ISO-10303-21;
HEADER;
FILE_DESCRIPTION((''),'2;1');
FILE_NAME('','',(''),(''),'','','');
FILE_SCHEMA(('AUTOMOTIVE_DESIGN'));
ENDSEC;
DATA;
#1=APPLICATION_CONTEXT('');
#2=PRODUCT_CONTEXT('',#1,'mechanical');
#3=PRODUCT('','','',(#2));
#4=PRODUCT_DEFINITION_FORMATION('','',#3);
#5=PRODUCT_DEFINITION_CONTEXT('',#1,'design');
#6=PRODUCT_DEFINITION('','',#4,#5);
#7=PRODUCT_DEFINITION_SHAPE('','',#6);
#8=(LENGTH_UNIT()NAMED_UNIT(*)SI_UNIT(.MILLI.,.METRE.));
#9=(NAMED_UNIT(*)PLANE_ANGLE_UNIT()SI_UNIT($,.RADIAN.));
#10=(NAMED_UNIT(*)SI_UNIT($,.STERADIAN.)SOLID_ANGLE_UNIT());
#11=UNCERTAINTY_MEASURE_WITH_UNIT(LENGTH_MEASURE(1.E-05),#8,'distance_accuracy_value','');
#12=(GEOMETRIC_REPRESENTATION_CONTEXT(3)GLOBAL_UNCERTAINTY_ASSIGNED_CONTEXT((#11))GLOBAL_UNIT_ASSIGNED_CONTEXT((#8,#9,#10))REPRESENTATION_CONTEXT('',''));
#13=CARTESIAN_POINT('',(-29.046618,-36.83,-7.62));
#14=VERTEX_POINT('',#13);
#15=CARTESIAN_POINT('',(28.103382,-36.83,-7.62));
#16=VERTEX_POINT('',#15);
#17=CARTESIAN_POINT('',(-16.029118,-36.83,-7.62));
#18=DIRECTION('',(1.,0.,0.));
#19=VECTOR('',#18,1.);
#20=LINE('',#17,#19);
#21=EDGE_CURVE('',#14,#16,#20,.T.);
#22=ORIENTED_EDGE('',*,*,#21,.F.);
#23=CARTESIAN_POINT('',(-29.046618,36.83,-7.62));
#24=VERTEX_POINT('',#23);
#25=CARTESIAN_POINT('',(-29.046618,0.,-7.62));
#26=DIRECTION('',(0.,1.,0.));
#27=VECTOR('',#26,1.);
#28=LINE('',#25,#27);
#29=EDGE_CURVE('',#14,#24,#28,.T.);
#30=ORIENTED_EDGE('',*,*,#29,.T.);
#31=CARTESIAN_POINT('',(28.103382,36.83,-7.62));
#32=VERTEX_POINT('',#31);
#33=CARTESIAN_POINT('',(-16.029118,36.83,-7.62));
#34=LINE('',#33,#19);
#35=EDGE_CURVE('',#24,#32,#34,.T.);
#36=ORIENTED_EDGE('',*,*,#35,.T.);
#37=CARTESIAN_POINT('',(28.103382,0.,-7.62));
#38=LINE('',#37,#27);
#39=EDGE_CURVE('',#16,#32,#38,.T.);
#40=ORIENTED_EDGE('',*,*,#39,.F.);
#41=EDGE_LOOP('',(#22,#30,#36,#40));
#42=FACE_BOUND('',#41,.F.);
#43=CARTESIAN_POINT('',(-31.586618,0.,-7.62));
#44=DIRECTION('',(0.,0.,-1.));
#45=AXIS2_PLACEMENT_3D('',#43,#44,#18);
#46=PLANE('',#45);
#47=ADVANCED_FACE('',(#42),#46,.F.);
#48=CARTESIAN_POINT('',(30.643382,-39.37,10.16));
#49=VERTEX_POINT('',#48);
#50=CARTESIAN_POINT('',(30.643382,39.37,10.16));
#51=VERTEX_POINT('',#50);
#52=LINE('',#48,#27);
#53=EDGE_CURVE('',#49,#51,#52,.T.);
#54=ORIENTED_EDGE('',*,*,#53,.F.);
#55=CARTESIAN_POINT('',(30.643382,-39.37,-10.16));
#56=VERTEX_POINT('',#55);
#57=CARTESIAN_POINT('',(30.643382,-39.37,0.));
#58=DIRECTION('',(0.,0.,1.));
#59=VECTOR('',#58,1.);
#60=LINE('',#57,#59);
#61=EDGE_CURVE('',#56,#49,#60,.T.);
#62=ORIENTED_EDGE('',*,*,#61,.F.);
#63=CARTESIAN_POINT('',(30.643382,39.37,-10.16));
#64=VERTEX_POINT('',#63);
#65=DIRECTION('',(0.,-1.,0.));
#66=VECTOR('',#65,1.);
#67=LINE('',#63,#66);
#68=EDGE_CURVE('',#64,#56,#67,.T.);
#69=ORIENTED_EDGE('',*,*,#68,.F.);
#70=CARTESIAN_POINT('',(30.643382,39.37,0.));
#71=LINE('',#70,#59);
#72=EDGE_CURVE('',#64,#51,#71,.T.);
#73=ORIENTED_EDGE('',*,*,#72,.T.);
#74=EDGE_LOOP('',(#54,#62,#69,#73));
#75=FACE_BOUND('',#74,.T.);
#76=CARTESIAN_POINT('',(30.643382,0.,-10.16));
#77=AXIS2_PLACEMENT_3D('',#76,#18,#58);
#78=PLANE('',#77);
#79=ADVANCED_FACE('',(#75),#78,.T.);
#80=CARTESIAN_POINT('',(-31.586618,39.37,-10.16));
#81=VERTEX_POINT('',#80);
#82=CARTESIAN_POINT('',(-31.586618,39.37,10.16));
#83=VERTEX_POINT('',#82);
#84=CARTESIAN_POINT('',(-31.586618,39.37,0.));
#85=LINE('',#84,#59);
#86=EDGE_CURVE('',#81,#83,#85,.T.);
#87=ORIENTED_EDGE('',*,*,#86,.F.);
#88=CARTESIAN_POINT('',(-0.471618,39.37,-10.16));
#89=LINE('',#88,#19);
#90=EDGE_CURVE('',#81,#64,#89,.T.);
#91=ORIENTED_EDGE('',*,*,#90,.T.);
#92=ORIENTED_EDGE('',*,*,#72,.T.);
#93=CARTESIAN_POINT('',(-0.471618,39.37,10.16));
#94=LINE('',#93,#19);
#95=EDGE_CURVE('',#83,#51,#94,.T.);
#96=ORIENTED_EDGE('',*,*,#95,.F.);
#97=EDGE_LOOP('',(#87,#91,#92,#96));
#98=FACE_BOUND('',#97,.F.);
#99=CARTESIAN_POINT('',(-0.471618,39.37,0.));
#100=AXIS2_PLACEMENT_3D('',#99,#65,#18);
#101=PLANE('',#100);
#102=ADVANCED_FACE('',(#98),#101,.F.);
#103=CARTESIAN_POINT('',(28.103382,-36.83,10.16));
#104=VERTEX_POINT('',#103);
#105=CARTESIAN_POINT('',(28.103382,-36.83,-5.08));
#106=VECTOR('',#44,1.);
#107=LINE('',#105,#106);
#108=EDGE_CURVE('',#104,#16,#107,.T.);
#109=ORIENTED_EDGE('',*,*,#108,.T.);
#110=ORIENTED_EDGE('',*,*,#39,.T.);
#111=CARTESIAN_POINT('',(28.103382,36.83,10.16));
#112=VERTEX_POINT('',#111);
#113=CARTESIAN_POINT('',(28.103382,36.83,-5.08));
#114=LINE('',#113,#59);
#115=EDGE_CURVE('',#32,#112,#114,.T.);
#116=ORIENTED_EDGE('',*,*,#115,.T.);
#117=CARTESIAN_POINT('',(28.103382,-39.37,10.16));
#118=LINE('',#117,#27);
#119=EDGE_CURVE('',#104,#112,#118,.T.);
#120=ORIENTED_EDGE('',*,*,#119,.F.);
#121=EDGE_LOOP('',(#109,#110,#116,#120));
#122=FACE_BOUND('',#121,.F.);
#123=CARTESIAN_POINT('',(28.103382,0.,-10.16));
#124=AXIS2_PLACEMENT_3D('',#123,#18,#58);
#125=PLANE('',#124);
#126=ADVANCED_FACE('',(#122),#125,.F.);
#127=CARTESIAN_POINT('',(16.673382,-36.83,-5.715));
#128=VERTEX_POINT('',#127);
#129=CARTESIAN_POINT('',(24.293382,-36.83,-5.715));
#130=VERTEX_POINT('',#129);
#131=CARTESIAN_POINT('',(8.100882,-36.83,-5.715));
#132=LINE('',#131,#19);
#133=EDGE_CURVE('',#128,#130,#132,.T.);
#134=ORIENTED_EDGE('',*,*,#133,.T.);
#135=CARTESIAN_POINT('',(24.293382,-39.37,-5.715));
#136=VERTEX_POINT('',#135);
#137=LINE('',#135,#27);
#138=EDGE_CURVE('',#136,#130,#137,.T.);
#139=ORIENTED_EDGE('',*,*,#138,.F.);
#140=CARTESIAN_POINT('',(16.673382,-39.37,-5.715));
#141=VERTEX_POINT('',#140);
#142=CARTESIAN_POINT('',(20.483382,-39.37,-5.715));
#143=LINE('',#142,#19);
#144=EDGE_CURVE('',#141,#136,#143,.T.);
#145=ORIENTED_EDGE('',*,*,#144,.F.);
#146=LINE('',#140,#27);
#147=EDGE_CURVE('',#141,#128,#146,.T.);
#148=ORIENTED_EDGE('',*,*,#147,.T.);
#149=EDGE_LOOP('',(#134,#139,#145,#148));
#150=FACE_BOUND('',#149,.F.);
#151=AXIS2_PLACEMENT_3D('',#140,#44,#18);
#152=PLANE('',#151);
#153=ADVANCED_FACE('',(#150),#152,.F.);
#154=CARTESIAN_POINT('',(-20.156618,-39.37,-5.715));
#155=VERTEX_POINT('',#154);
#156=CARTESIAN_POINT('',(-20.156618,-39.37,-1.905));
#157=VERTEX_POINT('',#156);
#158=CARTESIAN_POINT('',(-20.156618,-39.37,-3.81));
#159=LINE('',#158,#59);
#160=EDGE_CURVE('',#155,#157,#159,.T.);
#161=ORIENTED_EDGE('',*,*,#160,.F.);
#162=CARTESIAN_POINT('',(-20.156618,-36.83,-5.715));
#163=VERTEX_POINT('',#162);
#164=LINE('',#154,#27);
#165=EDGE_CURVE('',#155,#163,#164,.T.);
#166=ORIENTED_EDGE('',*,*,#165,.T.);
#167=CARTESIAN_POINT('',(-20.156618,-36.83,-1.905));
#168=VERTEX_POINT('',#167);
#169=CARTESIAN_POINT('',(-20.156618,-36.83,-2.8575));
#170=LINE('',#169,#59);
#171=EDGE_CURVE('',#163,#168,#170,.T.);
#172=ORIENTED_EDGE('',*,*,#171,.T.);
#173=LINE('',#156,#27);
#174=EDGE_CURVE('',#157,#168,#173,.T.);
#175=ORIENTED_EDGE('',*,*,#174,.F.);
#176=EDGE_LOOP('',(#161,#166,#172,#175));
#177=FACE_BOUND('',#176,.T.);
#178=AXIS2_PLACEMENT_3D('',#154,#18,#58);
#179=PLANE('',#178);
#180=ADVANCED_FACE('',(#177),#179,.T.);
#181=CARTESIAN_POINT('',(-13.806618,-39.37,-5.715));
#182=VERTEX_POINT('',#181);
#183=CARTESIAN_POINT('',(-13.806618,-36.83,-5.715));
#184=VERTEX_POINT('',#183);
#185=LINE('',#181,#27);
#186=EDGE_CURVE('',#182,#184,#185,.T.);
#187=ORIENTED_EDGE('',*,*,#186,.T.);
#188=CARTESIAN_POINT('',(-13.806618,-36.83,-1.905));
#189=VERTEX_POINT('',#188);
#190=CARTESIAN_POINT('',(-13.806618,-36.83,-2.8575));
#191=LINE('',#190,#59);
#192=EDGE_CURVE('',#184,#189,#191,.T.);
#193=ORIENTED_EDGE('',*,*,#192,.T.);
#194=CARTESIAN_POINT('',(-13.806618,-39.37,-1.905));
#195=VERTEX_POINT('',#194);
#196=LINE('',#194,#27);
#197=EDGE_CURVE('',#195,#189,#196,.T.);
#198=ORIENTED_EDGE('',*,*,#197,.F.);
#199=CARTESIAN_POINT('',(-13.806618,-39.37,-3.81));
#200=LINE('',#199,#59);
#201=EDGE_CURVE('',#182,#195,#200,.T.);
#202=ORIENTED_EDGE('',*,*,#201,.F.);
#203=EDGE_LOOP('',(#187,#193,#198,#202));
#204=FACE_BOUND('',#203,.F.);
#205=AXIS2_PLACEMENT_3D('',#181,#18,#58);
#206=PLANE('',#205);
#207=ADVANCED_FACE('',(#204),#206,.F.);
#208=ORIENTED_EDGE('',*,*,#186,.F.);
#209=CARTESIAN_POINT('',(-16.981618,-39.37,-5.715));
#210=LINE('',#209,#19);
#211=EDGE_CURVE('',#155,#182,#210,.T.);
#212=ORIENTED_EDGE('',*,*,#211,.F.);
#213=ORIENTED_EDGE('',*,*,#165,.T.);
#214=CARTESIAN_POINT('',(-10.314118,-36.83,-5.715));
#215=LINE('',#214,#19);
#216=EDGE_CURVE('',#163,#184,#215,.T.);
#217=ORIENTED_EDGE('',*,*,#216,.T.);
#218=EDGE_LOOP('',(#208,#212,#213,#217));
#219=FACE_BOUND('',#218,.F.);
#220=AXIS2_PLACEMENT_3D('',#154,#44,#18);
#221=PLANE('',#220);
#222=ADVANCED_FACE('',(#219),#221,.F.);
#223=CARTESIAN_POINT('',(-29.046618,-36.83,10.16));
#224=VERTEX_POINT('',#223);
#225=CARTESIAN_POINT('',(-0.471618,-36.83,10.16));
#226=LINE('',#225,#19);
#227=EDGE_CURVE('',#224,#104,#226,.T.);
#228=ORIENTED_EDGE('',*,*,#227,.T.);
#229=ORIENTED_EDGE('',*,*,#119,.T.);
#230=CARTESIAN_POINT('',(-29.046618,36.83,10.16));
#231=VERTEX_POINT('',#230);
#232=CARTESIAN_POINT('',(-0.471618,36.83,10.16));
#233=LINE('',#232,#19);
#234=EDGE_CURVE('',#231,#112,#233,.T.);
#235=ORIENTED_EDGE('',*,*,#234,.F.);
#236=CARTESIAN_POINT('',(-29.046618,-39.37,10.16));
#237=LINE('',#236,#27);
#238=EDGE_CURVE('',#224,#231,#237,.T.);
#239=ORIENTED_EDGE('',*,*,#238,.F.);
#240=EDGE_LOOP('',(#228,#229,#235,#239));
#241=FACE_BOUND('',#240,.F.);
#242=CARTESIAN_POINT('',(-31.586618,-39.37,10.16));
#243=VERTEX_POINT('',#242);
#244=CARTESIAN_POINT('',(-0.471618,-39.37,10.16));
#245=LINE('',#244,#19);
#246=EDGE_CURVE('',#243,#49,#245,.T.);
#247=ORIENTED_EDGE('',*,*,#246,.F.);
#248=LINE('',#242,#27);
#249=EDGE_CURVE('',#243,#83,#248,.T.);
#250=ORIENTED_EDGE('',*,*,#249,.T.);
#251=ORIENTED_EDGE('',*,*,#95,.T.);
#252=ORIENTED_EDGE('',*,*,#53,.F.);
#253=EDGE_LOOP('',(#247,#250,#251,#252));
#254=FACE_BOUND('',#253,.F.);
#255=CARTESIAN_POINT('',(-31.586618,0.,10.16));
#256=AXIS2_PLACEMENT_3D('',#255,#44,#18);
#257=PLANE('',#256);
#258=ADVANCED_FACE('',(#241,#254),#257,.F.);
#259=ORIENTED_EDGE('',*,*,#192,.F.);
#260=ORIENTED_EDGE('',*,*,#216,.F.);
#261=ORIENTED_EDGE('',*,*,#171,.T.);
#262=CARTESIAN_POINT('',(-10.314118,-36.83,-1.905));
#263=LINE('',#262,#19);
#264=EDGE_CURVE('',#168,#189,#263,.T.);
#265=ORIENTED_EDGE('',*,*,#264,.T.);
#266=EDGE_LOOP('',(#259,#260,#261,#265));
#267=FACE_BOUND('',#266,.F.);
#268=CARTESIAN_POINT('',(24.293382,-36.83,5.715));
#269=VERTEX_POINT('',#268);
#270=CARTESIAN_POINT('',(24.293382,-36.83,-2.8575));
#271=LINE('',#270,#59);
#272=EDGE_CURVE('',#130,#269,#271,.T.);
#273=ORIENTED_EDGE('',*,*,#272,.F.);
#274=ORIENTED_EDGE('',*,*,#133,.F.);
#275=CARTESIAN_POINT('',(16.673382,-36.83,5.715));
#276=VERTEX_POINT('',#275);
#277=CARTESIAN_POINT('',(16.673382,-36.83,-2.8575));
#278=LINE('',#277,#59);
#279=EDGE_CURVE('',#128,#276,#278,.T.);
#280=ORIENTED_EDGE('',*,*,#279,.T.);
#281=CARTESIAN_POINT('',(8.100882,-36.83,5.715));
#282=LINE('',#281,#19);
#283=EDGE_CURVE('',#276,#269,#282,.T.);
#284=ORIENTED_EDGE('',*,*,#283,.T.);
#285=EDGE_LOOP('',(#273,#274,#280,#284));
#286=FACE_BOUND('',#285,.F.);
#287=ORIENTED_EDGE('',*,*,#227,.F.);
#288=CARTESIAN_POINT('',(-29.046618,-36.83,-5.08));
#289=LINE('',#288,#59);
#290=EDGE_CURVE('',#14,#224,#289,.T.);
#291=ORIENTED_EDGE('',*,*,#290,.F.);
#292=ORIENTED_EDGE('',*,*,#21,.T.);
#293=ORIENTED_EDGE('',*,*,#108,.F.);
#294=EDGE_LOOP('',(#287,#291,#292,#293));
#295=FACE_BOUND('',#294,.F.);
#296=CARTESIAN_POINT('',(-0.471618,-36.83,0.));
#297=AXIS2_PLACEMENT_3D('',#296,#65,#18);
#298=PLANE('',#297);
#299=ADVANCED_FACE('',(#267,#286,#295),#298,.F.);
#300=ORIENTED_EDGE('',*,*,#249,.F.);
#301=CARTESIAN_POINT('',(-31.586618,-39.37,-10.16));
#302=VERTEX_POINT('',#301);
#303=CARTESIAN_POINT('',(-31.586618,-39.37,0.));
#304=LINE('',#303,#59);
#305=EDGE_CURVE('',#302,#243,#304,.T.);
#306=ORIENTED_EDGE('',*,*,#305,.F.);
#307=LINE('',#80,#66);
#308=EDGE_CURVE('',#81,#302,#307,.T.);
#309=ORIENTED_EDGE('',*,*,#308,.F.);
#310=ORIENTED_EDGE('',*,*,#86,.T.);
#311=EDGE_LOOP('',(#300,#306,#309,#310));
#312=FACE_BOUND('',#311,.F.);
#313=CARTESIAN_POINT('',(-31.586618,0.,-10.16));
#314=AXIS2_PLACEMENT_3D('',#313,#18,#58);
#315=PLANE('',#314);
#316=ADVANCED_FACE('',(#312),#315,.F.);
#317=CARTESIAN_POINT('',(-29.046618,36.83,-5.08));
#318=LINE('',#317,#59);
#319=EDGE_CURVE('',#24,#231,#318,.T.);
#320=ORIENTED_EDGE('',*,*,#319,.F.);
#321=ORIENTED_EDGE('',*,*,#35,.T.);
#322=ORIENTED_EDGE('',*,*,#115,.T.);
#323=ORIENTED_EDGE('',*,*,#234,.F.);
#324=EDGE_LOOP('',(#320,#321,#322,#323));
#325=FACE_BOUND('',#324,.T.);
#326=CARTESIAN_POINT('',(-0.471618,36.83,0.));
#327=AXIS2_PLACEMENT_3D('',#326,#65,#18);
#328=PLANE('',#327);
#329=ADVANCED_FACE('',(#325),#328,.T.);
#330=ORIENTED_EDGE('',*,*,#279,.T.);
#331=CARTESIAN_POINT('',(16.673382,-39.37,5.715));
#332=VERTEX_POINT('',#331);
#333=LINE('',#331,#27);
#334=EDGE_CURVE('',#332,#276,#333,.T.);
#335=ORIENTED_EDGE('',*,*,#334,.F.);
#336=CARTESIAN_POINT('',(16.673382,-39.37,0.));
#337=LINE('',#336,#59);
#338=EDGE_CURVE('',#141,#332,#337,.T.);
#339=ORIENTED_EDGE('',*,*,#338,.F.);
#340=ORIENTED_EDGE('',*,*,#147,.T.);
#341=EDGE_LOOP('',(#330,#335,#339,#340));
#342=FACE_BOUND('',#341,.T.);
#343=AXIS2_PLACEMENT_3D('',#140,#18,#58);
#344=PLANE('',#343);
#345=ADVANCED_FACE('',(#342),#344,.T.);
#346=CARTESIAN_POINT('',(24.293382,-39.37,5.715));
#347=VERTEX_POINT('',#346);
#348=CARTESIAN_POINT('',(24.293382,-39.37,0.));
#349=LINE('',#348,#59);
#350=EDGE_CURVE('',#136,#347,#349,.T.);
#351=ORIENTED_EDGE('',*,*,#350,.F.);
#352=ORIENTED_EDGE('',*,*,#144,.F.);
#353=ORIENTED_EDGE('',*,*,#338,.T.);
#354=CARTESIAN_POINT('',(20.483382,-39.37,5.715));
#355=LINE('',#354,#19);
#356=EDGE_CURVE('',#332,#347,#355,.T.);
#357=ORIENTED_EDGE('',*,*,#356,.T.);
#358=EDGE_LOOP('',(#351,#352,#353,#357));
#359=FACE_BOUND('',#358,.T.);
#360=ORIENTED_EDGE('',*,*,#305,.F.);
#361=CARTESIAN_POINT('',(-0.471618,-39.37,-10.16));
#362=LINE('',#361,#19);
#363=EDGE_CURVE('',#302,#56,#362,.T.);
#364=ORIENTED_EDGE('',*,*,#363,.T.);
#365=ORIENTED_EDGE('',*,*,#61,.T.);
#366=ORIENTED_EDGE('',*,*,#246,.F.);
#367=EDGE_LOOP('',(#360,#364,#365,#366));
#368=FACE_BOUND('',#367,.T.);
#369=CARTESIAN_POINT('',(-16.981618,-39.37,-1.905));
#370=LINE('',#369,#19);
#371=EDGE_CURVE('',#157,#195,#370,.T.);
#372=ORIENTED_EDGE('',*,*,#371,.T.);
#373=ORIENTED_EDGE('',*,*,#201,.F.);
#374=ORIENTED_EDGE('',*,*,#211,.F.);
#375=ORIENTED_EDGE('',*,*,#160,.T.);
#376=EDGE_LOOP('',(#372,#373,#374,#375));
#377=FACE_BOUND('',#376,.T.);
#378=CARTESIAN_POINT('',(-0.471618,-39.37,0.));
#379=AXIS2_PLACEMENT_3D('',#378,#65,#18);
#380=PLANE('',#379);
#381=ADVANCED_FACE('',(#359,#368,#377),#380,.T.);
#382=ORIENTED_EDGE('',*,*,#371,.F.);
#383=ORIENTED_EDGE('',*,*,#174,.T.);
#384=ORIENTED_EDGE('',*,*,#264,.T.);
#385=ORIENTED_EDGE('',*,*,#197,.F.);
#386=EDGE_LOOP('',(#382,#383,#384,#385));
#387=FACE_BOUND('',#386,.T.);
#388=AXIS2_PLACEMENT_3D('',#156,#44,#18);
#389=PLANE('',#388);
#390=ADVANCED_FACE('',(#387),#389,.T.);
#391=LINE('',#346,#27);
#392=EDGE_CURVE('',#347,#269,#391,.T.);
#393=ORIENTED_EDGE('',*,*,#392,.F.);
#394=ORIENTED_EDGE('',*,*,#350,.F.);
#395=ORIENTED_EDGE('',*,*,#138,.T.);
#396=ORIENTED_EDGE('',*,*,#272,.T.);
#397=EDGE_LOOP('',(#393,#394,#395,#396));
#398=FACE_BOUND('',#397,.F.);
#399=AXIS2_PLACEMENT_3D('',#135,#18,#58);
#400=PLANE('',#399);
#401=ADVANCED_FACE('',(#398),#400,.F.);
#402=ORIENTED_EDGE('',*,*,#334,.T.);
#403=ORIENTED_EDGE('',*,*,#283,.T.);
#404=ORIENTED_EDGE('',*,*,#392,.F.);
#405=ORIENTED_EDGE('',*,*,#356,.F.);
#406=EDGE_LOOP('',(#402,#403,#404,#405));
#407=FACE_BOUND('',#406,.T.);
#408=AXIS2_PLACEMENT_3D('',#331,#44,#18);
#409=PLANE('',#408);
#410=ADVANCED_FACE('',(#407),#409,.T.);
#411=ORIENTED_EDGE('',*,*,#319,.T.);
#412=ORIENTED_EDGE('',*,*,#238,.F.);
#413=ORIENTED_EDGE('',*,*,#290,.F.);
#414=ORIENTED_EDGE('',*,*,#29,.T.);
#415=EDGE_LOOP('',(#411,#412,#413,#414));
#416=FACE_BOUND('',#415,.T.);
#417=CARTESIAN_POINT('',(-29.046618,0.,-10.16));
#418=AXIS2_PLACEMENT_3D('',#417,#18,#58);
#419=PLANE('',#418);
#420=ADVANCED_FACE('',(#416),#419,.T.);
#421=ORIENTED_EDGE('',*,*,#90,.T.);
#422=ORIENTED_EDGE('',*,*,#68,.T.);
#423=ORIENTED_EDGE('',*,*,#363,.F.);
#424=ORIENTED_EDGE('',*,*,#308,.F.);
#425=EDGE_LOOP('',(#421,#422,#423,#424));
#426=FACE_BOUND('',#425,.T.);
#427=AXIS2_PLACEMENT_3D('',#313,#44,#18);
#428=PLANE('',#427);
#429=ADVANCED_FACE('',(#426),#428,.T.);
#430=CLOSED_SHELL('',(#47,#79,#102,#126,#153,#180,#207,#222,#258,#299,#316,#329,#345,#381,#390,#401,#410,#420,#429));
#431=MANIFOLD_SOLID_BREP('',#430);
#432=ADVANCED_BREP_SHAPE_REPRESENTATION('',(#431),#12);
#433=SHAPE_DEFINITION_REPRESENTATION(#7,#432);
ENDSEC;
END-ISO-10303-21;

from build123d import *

# Parameters (mm, degrees)
F0_W     = 62.23
F0_H     = 20.32
F1_DEPTH = 39.37
F2_T     = -2.54
F3_W     = 6.35
F3_H     = 3.81
F3_W_2   = 7.62
F3_H_2   = 11.43
F4_DEPTH = 25.4


with BuildPart() as f1:
    # F0 (on Front) → F1 (new body, symmetric)
    with BuildSketch(Plane.XZ):
        with Locations((-0.471618, 0)):
            Rectangle(F0_W, F0_H)
    extrude(amount=F1_DEPTH, both=True)

    # F2
    f2_openings = [f1.faces().sort_by_distance(p)[0] for p in [
        (-0.471618, 0, 10.16),
    ]]
    offset(amount=F2_T, openings=f2_openings)

    # F3 (on face) → F4 (cut)
    with BuildSketch(Plane.XZ.offset(39.37)):
        with Locations((-16.981618, -3.81)):
            Rectangle(F3_W, F3_H)
        with Locations((20.483382, 0)):
            Rectangle(F3_W_2, F3_H_2)
    extrude(amount=-F4_DEPTH, mode=Mode.SUBTRACT)


solid = f1.part
